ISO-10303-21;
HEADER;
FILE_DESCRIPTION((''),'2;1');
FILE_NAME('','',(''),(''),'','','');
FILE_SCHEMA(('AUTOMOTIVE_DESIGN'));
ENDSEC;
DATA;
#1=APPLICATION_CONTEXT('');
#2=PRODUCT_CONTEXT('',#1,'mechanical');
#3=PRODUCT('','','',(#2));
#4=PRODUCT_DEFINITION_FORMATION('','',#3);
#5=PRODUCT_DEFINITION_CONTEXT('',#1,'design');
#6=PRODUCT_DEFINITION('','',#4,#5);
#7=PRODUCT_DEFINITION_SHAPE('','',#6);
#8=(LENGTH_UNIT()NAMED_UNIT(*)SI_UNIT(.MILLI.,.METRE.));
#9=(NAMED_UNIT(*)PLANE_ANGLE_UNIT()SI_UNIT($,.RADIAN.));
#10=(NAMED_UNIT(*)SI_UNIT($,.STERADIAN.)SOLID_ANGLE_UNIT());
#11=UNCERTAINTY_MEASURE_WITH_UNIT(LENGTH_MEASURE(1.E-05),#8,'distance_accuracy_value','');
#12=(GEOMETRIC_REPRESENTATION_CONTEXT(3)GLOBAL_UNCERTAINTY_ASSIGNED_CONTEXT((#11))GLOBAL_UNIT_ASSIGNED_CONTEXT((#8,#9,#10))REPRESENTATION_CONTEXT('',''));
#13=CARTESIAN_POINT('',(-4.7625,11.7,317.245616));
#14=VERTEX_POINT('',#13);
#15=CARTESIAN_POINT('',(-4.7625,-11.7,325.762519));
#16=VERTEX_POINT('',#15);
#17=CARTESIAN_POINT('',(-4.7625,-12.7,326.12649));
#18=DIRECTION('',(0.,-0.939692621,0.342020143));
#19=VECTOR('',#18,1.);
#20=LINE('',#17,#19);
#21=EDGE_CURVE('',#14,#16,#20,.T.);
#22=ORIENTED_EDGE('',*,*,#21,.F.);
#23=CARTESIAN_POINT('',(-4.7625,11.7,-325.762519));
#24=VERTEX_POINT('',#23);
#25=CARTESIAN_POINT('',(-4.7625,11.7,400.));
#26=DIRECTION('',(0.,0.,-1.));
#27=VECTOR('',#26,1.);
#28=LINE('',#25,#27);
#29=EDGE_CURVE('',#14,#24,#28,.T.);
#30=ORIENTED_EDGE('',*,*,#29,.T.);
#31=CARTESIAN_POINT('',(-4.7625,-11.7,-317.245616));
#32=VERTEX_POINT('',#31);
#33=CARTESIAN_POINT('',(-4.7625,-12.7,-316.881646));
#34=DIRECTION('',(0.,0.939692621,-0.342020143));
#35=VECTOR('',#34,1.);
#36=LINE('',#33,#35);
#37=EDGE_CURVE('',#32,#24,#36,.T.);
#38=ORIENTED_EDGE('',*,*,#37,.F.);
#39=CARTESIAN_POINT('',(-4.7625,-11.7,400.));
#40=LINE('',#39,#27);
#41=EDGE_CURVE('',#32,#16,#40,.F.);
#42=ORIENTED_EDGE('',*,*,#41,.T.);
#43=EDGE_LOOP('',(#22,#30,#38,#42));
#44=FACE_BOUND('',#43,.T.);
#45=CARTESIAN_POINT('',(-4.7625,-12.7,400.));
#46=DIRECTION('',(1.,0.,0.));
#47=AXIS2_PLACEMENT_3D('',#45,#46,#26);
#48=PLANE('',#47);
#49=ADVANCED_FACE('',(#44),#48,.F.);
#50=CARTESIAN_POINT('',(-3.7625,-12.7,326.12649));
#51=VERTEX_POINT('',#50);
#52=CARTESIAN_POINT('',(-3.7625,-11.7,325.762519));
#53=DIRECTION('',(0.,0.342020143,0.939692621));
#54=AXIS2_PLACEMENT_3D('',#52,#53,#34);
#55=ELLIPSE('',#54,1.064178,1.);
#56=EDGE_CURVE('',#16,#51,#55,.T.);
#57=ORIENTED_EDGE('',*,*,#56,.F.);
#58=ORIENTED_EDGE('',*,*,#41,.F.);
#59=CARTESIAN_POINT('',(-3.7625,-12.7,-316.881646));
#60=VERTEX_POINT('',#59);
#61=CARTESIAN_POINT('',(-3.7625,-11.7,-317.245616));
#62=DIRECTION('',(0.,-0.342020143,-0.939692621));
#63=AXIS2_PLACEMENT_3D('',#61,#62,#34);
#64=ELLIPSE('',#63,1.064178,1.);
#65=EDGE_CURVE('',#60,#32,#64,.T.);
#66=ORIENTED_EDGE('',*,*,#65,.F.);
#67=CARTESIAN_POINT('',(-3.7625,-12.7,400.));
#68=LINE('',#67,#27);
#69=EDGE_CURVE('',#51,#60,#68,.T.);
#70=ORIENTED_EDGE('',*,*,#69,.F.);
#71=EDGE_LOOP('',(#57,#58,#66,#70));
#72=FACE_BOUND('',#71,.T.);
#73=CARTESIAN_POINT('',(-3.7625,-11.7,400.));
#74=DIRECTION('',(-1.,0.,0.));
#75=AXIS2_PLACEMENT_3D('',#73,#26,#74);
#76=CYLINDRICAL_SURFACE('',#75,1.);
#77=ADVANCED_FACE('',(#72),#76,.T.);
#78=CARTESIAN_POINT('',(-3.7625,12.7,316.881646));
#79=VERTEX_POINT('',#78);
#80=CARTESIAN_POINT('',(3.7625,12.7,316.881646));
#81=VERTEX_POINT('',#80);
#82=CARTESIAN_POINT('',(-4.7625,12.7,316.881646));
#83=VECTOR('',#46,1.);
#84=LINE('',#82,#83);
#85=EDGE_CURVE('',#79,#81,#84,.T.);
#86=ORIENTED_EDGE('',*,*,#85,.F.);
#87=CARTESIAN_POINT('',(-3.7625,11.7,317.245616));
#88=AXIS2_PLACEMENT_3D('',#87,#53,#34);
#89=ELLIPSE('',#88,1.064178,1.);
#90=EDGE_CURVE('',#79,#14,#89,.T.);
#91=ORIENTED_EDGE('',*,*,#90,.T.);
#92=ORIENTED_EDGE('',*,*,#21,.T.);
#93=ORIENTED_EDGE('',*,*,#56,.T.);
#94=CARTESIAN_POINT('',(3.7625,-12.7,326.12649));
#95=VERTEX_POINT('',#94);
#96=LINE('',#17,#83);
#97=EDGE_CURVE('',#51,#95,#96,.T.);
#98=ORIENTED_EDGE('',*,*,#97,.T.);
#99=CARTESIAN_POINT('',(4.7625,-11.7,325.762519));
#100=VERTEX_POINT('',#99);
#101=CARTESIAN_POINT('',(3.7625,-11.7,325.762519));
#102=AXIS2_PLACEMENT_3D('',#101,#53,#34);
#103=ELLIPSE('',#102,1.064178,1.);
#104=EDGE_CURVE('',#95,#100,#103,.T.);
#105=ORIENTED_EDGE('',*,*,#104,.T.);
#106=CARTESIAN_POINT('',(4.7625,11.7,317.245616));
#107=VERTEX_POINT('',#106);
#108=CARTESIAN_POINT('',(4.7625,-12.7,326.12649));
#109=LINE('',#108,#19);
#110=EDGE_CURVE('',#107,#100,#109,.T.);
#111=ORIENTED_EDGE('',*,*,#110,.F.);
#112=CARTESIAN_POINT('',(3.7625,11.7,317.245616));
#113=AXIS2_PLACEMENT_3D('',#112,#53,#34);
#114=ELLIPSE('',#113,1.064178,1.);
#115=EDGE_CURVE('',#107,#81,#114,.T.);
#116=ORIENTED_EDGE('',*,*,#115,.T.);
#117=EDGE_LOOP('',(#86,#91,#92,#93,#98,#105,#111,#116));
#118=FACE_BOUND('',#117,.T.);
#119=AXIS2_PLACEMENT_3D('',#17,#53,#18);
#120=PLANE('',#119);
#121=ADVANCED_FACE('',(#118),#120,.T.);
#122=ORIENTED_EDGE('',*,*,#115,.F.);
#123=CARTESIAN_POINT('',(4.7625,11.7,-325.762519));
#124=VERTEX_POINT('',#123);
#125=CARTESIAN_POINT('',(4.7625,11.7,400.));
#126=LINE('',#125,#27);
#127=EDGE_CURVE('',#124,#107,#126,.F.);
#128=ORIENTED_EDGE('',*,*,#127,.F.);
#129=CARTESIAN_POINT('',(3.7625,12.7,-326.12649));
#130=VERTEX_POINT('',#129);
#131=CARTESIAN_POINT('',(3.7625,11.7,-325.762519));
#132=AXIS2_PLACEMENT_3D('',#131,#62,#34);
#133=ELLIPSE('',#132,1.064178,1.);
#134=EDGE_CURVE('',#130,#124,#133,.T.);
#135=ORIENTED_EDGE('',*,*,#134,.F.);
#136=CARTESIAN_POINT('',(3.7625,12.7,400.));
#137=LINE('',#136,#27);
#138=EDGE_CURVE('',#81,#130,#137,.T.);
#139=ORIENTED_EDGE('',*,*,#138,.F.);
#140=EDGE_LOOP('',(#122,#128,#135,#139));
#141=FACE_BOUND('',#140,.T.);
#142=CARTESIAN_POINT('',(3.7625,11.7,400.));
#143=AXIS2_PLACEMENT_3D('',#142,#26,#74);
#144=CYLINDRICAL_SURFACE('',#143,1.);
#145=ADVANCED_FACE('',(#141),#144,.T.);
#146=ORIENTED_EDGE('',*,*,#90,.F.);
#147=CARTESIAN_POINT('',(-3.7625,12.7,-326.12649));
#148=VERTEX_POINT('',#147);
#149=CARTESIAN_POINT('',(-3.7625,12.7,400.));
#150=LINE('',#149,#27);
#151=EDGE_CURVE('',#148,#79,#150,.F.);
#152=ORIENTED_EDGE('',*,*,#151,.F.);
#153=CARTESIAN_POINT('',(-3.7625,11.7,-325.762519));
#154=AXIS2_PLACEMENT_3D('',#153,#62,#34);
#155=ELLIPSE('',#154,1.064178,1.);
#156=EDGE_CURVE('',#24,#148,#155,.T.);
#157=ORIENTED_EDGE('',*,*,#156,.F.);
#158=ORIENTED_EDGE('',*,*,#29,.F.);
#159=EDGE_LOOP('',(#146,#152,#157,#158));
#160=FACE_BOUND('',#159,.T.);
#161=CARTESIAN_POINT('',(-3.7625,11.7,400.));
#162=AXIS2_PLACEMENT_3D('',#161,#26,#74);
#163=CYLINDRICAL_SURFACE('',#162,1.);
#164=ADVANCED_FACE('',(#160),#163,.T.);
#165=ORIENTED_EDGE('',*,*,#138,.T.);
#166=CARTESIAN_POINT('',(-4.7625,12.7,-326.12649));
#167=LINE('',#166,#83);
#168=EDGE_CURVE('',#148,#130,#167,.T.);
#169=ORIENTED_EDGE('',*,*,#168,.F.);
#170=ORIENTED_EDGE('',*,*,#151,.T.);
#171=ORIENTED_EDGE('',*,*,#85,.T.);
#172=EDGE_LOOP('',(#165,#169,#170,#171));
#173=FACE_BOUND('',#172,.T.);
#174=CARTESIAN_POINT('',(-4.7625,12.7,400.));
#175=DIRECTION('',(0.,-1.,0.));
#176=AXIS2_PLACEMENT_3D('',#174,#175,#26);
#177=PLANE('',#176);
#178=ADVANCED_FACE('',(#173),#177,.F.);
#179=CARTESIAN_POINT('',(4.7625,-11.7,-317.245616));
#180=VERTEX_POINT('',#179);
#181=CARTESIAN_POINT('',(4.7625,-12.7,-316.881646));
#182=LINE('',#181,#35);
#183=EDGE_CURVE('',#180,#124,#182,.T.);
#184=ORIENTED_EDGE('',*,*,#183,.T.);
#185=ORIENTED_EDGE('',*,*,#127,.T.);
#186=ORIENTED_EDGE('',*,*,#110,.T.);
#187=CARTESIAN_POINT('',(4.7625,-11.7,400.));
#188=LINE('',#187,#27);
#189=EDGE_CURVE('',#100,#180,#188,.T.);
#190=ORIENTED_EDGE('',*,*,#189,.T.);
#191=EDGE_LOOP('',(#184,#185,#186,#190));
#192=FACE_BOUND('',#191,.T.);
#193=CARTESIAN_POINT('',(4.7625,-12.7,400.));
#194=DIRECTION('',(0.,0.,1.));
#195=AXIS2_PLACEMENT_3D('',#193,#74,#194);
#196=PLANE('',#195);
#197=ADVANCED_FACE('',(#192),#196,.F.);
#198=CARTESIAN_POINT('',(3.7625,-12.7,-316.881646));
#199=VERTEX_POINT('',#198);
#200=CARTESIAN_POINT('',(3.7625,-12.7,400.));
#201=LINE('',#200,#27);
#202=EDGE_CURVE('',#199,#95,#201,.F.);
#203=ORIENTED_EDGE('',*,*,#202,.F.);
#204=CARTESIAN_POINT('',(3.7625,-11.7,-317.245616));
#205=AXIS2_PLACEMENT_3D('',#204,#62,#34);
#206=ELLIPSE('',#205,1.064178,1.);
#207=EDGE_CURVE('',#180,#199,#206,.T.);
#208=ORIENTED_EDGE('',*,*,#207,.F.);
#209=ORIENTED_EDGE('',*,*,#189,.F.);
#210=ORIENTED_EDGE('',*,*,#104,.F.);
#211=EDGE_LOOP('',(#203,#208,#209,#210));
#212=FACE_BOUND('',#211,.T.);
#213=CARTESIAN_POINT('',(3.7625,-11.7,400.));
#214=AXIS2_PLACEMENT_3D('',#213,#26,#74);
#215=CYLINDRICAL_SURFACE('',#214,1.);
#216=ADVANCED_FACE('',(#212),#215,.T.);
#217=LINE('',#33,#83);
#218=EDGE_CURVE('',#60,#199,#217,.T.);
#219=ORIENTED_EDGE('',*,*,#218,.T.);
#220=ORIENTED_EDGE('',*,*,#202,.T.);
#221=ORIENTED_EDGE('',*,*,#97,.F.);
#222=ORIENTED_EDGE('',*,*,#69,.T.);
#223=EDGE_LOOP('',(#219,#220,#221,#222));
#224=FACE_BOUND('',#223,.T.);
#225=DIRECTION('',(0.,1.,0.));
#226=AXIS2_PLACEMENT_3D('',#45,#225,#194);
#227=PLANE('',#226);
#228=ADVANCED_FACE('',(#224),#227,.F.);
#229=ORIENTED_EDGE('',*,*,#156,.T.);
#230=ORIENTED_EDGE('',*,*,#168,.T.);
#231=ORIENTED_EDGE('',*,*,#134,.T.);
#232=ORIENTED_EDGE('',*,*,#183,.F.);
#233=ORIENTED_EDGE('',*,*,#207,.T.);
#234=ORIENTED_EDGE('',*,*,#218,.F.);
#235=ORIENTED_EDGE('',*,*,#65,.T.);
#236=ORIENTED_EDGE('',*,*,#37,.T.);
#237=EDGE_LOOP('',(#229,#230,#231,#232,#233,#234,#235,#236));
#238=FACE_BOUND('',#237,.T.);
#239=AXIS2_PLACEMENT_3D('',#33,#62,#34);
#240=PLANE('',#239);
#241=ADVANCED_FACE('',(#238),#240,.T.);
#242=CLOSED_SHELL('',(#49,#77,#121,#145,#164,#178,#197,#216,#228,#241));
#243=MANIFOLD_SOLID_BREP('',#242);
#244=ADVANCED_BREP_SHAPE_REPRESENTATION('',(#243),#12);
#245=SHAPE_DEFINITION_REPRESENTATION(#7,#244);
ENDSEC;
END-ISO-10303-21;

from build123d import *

# Parameters (mm, degrees)
ESBO_O1_W                = 9.525
ESBO_O1_H                = 25.4
RESSALTO_EXTRUS_O1_DEPTH = 400
ESBO_O3_OUTSIDE_W        = 962.092
ESBO_O3_OUTSIDE_H        = 187.492
CORTE_EXTRUS_O2_DEPTH    = 401.314895582
FILETE1_R                = 1


with BuildPart() as part:
    # Esboço1 → Ressalto-extrusão1 (new, symmetric)
    with BuildSketch(Plane.XY):
        Rectangle(ESBO_O1_W, ESBO_O1_H)
    extrude(amount=RESSALTO_EXTRUS_O1_DEPTH, both=True)

    # Esboço3 outside → Corte-extrusão2 (cut, through all)
    with BuildSketch(Plane(origin=(4.7625, 0, 0), x_dir=(0, 0, -1), z_dir=(1, 0, 0))):
        Rectangle(ESBO_O3_OUTSIDE_W, ESBO_O3_OUTSIDE_H)
        Polygon((-326.126489707, -12.7), (316.881645756, -12.7), (326.126489707, 12.7), (-316.881645756, 12.7), align=None, mode=Mode.SUBTRACT)
    extrude(amount=-CORTE_EXTRUS_O2_DEPTH, mode=Mode.SUBTRACT)

    # Filete1
    filete1_edges = [part.edges().sort_by_distance(p)[0] for p in [
        (4.7625, -12.7, 4.622421975),
        (-4.7625, -12.7, 4.622421975),
        (-4.7625, 12.7, -4.622421975),
        (4.7625, 12.7, -4.622421975),
    ]]
    fillet(filete1_edges, radius=FILETE1_R)


solid = part.part
